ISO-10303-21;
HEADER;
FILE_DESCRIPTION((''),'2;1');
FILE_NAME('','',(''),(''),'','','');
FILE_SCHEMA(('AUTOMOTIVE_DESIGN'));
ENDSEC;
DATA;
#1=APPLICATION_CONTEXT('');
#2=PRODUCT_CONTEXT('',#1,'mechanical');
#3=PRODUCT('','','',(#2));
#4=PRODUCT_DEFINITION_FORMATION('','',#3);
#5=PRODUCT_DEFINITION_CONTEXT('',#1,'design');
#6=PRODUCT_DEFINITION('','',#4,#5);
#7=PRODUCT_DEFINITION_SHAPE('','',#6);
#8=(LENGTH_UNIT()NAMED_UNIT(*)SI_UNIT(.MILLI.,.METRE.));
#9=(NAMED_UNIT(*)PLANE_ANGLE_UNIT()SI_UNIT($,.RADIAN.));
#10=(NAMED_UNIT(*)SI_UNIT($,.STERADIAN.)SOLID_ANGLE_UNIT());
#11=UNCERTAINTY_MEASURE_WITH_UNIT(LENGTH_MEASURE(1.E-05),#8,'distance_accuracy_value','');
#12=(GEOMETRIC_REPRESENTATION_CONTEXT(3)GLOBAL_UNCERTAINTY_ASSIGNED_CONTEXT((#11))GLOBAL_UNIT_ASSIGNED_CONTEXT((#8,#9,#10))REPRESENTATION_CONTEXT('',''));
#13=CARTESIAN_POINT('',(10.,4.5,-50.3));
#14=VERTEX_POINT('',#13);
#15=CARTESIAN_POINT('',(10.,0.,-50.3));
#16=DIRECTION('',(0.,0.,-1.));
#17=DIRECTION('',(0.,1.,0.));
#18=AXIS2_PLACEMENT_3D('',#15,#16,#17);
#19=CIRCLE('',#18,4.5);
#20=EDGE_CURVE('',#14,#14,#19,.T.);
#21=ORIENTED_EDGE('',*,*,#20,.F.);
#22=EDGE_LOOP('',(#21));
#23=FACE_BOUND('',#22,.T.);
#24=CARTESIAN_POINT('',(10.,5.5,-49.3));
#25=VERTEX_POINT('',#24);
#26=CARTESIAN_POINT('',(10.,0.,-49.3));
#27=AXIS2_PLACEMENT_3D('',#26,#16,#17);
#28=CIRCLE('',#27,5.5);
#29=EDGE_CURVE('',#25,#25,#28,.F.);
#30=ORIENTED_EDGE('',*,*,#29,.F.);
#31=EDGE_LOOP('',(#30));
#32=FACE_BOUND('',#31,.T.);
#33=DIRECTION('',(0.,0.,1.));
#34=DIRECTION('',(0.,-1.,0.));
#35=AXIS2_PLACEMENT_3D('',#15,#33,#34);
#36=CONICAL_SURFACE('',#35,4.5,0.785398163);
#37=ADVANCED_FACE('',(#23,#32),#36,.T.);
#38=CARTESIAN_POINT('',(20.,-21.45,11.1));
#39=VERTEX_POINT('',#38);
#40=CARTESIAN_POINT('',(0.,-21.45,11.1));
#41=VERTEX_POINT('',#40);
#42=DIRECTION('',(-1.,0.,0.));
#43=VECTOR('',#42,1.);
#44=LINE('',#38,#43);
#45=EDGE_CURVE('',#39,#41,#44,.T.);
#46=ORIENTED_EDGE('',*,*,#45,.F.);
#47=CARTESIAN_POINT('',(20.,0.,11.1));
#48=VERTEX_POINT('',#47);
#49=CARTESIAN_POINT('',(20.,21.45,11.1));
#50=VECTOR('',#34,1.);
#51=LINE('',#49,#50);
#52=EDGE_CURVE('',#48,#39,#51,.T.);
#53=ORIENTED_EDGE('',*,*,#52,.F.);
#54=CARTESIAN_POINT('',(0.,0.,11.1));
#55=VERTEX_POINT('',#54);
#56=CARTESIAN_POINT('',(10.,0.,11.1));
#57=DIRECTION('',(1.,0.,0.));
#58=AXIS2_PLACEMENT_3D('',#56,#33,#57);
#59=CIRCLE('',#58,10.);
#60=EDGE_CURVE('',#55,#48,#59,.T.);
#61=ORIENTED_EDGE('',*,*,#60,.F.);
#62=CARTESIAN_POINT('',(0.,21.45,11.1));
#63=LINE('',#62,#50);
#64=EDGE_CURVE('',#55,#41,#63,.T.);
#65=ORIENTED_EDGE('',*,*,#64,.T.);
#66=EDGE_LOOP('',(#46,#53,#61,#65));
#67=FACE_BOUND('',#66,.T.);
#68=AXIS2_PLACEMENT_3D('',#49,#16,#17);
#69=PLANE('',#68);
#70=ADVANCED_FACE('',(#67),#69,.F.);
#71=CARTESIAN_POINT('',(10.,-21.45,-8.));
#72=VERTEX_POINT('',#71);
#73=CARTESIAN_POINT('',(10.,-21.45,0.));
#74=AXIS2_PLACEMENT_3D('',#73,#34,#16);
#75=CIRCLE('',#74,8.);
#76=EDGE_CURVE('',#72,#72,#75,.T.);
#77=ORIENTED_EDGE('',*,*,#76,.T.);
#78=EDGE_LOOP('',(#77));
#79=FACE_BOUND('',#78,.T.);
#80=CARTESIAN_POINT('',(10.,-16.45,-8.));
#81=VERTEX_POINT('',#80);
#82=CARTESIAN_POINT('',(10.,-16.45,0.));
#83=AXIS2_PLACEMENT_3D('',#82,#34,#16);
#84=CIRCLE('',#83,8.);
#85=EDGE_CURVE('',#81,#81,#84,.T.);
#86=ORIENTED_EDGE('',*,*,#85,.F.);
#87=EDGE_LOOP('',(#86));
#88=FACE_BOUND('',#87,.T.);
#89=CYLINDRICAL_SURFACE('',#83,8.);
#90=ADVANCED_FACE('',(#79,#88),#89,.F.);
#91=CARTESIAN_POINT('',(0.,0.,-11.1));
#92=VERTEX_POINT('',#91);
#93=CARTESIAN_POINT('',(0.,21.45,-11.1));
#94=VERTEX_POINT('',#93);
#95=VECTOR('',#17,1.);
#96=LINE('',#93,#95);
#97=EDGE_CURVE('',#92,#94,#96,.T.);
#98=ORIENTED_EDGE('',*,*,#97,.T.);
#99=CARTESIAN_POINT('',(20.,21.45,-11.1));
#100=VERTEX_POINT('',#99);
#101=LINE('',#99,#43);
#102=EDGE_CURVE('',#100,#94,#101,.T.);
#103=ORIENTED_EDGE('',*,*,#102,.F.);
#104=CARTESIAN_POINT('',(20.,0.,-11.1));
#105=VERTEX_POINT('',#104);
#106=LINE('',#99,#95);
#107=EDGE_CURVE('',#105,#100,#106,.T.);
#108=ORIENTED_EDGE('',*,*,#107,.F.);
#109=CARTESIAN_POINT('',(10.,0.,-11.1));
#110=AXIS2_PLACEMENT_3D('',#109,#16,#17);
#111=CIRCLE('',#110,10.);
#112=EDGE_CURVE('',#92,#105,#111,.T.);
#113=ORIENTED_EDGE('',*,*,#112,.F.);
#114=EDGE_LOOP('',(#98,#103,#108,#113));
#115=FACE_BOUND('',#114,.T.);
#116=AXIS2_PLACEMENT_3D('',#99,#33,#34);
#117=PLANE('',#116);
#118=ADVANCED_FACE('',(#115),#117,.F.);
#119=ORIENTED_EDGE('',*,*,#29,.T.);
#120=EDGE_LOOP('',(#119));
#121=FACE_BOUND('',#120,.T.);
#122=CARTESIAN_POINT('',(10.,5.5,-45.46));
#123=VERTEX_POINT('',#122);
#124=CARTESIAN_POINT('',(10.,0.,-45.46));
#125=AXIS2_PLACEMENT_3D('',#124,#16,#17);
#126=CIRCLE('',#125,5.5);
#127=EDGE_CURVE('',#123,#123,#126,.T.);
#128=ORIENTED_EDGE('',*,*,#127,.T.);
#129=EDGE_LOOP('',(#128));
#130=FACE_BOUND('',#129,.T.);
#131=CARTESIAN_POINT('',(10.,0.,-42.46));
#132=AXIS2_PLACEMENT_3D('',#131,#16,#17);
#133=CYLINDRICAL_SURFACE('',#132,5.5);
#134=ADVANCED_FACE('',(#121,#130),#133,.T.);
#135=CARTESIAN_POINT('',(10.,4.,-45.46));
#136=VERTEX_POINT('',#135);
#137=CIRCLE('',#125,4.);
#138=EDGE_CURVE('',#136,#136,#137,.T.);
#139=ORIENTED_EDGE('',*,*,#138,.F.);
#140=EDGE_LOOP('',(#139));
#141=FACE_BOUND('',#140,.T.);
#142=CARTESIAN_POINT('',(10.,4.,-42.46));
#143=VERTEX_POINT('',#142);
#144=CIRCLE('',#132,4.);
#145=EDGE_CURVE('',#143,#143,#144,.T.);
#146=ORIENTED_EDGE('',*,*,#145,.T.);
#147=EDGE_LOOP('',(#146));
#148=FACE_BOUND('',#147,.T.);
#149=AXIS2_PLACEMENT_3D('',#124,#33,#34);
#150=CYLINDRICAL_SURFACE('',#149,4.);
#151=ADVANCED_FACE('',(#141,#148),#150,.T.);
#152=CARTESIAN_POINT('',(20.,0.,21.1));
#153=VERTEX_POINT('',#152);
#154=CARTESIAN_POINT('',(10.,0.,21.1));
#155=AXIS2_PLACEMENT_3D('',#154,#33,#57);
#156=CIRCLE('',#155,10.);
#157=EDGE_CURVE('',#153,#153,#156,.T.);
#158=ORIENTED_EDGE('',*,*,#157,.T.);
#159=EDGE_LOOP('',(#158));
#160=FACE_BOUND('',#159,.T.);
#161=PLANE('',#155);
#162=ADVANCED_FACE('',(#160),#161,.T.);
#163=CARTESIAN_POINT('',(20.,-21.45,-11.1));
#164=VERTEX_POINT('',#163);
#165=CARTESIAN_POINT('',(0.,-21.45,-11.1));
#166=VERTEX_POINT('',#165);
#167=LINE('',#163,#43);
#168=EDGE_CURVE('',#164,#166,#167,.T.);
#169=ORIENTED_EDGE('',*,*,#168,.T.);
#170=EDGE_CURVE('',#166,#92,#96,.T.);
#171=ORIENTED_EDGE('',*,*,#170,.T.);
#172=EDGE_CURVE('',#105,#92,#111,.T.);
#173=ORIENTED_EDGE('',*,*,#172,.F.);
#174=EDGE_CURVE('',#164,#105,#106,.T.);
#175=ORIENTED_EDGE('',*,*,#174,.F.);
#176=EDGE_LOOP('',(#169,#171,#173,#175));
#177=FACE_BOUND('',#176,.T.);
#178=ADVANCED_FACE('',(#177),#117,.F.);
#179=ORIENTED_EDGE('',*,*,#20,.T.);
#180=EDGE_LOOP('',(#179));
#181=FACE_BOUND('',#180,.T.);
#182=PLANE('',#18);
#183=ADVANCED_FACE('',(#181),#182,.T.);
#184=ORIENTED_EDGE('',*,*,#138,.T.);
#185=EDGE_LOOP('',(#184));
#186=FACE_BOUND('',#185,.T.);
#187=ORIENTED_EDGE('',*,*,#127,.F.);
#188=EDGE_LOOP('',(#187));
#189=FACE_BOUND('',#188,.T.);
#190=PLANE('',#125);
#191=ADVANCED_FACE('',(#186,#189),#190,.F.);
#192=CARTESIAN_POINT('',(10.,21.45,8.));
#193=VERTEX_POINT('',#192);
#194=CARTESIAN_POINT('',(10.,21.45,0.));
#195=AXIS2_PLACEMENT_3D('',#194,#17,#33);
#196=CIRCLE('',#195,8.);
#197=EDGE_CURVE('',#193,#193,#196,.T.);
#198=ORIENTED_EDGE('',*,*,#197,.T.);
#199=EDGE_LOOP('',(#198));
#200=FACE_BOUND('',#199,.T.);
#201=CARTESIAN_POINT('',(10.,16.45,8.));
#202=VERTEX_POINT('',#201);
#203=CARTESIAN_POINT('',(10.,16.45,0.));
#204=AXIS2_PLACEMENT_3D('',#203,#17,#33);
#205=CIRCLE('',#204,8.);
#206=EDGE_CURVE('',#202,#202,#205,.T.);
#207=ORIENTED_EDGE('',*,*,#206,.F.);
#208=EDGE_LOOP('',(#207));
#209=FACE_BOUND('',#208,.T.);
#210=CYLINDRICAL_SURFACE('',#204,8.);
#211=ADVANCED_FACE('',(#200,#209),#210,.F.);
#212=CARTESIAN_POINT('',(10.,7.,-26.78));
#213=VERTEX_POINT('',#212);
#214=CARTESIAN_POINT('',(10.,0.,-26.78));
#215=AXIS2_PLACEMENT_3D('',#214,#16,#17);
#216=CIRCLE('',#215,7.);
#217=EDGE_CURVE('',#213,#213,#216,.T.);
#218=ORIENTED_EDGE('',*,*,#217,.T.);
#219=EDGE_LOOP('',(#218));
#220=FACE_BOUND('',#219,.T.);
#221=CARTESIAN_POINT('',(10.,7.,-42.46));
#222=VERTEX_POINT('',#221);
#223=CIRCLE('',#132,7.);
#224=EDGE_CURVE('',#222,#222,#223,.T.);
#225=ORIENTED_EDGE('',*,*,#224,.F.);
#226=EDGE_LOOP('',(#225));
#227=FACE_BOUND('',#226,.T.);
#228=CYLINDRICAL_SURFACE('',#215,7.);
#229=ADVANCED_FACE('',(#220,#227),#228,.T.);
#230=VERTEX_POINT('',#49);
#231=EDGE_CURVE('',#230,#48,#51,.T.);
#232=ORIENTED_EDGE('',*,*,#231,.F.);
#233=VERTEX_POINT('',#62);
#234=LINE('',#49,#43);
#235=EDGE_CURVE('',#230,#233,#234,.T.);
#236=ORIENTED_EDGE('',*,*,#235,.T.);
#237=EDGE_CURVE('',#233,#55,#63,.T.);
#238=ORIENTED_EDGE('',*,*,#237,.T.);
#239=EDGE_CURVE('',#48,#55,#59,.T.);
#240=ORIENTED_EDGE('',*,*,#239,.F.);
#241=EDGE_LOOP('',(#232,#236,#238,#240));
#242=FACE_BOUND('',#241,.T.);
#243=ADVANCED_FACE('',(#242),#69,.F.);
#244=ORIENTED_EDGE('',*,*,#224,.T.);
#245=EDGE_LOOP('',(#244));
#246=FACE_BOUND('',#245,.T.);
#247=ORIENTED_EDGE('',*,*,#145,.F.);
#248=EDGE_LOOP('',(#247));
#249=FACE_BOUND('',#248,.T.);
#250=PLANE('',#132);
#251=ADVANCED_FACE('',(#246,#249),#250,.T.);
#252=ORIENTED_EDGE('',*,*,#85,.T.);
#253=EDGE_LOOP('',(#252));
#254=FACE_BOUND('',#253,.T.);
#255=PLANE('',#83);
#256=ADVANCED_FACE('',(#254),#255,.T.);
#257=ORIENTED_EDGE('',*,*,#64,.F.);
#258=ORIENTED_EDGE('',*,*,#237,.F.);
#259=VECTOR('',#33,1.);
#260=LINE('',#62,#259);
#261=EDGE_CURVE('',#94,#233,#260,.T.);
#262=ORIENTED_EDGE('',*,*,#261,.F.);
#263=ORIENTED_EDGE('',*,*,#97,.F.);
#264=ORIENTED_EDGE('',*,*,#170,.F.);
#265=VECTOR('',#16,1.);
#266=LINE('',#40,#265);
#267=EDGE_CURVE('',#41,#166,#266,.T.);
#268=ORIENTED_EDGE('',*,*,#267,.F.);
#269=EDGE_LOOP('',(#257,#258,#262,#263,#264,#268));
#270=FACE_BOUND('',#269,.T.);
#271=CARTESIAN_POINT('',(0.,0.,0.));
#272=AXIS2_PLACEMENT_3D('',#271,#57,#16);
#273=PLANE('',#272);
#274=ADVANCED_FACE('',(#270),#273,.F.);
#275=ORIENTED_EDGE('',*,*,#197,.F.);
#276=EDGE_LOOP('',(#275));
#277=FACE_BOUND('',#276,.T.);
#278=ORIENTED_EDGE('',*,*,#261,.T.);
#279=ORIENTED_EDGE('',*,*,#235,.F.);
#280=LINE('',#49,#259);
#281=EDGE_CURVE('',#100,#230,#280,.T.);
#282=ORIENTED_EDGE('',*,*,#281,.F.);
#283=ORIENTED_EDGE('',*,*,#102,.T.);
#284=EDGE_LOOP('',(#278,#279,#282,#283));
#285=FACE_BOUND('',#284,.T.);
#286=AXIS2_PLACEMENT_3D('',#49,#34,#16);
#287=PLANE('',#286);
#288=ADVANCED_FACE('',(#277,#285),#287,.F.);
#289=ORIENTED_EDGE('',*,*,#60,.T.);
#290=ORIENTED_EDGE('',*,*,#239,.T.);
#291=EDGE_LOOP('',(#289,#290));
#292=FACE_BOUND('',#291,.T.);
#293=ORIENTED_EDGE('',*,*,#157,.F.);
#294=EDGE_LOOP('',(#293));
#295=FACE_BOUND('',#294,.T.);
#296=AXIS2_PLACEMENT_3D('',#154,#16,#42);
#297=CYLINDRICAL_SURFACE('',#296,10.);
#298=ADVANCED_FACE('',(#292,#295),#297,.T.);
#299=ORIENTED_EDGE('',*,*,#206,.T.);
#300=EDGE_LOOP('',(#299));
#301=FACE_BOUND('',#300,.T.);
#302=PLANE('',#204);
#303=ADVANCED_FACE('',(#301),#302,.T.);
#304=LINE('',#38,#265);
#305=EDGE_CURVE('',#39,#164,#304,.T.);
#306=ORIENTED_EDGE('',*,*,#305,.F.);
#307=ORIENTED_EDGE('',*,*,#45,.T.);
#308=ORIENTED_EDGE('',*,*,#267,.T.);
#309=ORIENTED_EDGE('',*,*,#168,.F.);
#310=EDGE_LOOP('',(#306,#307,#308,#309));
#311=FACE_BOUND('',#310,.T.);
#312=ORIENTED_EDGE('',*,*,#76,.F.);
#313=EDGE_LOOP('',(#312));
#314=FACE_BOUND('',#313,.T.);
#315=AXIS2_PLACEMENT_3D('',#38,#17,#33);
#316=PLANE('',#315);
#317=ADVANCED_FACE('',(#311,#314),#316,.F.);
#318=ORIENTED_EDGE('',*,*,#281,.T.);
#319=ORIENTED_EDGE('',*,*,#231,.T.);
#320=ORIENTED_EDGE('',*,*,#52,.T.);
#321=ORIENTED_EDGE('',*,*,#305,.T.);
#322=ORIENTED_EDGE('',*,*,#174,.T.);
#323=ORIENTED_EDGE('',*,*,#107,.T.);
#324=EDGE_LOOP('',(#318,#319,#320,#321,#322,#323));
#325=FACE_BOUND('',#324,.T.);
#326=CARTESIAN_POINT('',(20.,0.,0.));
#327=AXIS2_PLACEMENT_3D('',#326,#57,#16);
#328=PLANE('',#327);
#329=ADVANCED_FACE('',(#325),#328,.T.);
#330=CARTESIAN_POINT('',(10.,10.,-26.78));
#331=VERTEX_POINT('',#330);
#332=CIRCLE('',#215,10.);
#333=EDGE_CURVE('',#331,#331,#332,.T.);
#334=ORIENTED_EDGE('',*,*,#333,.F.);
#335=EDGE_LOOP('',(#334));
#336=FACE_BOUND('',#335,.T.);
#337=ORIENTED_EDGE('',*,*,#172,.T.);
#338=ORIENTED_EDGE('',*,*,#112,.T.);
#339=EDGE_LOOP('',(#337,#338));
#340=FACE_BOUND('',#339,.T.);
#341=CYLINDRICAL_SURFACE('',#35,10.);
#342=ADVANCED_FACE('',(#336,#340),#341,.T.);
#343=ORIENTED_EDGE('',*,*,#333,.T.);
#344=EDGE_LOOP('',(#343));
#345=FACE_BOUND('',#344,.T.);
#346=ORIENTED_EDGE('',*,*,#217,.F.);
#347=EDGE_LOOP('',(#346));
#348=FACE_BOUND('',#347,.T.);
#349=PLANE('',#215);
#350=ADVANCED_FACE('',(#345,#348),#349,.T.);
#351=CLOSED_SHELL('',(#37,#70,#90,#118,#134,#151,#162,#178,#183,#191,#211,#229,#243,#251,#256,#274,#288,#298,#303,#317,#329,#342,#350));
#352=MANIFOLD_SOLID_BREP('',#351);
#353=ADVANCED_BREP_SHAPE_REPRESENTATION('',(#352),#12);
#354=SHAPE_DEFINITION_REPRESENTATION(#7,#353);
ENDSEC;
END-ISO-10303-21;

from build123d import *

# Parameters (mm, degrees)
SKETCH3_W           = 22.2
SKETCH3_H           = 42.9
BOSS_EXTRUDE2_DEPTH = 20
SKETCH4_R           = 8
CUT_EXTRUDE1_DEPTH  = 5
SKETCH5_R           = 8
CUT_EXTRUDE2_DEPTH  = 5
SKETCH11_R          = 10
BOSS_EXTRUDE3_DEPTH = 39.2
SKETCH13_R          = 10
SKETCH13_R_2        = 7
CUT_EXTRUDE5_DEPTH  = 23.52
SKETCH14_R          = 7
SKETCH14_R_2        = 5.5
CUT_EXTRUDE6_DEPTH  = 7.84
CHAMFER2_SIZE       = 1
SKETCH15_R          = 5.5
SKETCH15_R_2        = 4
CUT_EXTRUDE7_DEPTH  = 3
SKETCH16_R          = 10
BOSS_EXTRUDE4_DEPTH = 10


with BuildPart() as part:
    # Sketch3 → Boss-Extrude2 (new body)
    with BuildSketch(Plane(origin=(0, 0, 0), x_dir=(0, 0, -1), z_dir=(1, 0, 0))):
        Rectangle(SKETCH3_W, SKETCH3_H)
    extrude(amount=BOSS_EXTRUDE2_DEPTH)

    # Sketch4 → Cut-Extrude1 (cut)
    with BuildSketch(Plane(origin=(0, 21.45, 0), x_dir=(1, 0, 0), z_dir=(0, 1, 0))):
        with Locations((10, 0)):
            Circle(SKETCH4_R)
    extrude(amount=-CUT_EXTRUDE1_DEPTH, mode=Mode.SUBTRACT)

    # Sketch5 → Cut-Extrude2 (cut)
    with BuildSketch(Plane.XZ.offset(21.45)):
        with Locations((10, 0)):
            Circle(SKETCH5_R)
    extrude(amount=-CUT_EXTRUDE2_DEPTH, mode=Mode.SUBTRACT)

    # Sketch11 → Boss-Extrude3 (add)
    with BuildSketch(Plane(origin=(0, 0, -11.1), x_dir=(-1, 0, 0), z_dir=(0, 0, -1))):
        with Locations((-10, 0)):
            Circle(SKETCH11_R)
    extrude(amount=BOSS_EXTRUDE3_DEPTH)

    # Sketch13 → Cut-Extrude5 (cut)
    with BuildSketch(Plane(origin=(0, 0, -50.3), x_dir=(-1, 0, 0), z_dir=(0, 0, -1))):
        with Locations((-10, 0)):
            Circle(SKETCH13_R)
        with Locations((-10, 0)):
            Circle(SKETCH13_R_2, mode=Mode.SUBTRACT)
    extrude(amount=-CUT_EXTRUDE5_DEPTH, mode=Mode.SUBTRACT)

    # Sketch14 → Cut-Extrude6 (cut)
    with BuildSketch(Plane(origin=(0, 0, -50.3), x_dir=(-1, 0, 0), z_dir=(0, 0, -1))):
        with Locations((-10, 0)):
            Circle(SKETCH14_R)
        with Locations((-10, 0)):
            Circle(SKETCH14_R_2, mode=Mode.SUBTRACT)
    extrude(amount=-CUT_EXTRUDE6_DEPTH, mode=Mode.SUBTRACT)

    # Chamfer2
    chamfer2_edges = [part.edges().sort_by_distance(p)[0] for p in [
        (15.5, 0, -50.3),
    ]]
    chamfer(chamfer2_edges, length=CHAMFER2_SIZE)

    # Sketch15 → Cut-Extrude7 (cut)
    with BuildSketch(Plane(origin=(0, 0, -42.46), x_dir=(-1, 0, 0), z_dir=(0, 0, -1))):
        with Locations((-10, 0)):
            Circle(SKETCH15_R)
        with Locations((-10, 0)):
            Circle(SKETCH15_R_2, mode=Mode.SUBTRACT)
    extrude(amount=CUT_EXTRUDE7_DEPTH, mode=Mode.SUBTRACT)

    # Sketch16 → Boss-Extrude4 (add)
    with BuildSketch(Plane.XY.offset(11.1)):
        with Locations((10, 0)):
            Circle(SKETCH16_R)
    extrude(amount=BOSS_EXTRUDE4_DEPTH)


solid = part.part
